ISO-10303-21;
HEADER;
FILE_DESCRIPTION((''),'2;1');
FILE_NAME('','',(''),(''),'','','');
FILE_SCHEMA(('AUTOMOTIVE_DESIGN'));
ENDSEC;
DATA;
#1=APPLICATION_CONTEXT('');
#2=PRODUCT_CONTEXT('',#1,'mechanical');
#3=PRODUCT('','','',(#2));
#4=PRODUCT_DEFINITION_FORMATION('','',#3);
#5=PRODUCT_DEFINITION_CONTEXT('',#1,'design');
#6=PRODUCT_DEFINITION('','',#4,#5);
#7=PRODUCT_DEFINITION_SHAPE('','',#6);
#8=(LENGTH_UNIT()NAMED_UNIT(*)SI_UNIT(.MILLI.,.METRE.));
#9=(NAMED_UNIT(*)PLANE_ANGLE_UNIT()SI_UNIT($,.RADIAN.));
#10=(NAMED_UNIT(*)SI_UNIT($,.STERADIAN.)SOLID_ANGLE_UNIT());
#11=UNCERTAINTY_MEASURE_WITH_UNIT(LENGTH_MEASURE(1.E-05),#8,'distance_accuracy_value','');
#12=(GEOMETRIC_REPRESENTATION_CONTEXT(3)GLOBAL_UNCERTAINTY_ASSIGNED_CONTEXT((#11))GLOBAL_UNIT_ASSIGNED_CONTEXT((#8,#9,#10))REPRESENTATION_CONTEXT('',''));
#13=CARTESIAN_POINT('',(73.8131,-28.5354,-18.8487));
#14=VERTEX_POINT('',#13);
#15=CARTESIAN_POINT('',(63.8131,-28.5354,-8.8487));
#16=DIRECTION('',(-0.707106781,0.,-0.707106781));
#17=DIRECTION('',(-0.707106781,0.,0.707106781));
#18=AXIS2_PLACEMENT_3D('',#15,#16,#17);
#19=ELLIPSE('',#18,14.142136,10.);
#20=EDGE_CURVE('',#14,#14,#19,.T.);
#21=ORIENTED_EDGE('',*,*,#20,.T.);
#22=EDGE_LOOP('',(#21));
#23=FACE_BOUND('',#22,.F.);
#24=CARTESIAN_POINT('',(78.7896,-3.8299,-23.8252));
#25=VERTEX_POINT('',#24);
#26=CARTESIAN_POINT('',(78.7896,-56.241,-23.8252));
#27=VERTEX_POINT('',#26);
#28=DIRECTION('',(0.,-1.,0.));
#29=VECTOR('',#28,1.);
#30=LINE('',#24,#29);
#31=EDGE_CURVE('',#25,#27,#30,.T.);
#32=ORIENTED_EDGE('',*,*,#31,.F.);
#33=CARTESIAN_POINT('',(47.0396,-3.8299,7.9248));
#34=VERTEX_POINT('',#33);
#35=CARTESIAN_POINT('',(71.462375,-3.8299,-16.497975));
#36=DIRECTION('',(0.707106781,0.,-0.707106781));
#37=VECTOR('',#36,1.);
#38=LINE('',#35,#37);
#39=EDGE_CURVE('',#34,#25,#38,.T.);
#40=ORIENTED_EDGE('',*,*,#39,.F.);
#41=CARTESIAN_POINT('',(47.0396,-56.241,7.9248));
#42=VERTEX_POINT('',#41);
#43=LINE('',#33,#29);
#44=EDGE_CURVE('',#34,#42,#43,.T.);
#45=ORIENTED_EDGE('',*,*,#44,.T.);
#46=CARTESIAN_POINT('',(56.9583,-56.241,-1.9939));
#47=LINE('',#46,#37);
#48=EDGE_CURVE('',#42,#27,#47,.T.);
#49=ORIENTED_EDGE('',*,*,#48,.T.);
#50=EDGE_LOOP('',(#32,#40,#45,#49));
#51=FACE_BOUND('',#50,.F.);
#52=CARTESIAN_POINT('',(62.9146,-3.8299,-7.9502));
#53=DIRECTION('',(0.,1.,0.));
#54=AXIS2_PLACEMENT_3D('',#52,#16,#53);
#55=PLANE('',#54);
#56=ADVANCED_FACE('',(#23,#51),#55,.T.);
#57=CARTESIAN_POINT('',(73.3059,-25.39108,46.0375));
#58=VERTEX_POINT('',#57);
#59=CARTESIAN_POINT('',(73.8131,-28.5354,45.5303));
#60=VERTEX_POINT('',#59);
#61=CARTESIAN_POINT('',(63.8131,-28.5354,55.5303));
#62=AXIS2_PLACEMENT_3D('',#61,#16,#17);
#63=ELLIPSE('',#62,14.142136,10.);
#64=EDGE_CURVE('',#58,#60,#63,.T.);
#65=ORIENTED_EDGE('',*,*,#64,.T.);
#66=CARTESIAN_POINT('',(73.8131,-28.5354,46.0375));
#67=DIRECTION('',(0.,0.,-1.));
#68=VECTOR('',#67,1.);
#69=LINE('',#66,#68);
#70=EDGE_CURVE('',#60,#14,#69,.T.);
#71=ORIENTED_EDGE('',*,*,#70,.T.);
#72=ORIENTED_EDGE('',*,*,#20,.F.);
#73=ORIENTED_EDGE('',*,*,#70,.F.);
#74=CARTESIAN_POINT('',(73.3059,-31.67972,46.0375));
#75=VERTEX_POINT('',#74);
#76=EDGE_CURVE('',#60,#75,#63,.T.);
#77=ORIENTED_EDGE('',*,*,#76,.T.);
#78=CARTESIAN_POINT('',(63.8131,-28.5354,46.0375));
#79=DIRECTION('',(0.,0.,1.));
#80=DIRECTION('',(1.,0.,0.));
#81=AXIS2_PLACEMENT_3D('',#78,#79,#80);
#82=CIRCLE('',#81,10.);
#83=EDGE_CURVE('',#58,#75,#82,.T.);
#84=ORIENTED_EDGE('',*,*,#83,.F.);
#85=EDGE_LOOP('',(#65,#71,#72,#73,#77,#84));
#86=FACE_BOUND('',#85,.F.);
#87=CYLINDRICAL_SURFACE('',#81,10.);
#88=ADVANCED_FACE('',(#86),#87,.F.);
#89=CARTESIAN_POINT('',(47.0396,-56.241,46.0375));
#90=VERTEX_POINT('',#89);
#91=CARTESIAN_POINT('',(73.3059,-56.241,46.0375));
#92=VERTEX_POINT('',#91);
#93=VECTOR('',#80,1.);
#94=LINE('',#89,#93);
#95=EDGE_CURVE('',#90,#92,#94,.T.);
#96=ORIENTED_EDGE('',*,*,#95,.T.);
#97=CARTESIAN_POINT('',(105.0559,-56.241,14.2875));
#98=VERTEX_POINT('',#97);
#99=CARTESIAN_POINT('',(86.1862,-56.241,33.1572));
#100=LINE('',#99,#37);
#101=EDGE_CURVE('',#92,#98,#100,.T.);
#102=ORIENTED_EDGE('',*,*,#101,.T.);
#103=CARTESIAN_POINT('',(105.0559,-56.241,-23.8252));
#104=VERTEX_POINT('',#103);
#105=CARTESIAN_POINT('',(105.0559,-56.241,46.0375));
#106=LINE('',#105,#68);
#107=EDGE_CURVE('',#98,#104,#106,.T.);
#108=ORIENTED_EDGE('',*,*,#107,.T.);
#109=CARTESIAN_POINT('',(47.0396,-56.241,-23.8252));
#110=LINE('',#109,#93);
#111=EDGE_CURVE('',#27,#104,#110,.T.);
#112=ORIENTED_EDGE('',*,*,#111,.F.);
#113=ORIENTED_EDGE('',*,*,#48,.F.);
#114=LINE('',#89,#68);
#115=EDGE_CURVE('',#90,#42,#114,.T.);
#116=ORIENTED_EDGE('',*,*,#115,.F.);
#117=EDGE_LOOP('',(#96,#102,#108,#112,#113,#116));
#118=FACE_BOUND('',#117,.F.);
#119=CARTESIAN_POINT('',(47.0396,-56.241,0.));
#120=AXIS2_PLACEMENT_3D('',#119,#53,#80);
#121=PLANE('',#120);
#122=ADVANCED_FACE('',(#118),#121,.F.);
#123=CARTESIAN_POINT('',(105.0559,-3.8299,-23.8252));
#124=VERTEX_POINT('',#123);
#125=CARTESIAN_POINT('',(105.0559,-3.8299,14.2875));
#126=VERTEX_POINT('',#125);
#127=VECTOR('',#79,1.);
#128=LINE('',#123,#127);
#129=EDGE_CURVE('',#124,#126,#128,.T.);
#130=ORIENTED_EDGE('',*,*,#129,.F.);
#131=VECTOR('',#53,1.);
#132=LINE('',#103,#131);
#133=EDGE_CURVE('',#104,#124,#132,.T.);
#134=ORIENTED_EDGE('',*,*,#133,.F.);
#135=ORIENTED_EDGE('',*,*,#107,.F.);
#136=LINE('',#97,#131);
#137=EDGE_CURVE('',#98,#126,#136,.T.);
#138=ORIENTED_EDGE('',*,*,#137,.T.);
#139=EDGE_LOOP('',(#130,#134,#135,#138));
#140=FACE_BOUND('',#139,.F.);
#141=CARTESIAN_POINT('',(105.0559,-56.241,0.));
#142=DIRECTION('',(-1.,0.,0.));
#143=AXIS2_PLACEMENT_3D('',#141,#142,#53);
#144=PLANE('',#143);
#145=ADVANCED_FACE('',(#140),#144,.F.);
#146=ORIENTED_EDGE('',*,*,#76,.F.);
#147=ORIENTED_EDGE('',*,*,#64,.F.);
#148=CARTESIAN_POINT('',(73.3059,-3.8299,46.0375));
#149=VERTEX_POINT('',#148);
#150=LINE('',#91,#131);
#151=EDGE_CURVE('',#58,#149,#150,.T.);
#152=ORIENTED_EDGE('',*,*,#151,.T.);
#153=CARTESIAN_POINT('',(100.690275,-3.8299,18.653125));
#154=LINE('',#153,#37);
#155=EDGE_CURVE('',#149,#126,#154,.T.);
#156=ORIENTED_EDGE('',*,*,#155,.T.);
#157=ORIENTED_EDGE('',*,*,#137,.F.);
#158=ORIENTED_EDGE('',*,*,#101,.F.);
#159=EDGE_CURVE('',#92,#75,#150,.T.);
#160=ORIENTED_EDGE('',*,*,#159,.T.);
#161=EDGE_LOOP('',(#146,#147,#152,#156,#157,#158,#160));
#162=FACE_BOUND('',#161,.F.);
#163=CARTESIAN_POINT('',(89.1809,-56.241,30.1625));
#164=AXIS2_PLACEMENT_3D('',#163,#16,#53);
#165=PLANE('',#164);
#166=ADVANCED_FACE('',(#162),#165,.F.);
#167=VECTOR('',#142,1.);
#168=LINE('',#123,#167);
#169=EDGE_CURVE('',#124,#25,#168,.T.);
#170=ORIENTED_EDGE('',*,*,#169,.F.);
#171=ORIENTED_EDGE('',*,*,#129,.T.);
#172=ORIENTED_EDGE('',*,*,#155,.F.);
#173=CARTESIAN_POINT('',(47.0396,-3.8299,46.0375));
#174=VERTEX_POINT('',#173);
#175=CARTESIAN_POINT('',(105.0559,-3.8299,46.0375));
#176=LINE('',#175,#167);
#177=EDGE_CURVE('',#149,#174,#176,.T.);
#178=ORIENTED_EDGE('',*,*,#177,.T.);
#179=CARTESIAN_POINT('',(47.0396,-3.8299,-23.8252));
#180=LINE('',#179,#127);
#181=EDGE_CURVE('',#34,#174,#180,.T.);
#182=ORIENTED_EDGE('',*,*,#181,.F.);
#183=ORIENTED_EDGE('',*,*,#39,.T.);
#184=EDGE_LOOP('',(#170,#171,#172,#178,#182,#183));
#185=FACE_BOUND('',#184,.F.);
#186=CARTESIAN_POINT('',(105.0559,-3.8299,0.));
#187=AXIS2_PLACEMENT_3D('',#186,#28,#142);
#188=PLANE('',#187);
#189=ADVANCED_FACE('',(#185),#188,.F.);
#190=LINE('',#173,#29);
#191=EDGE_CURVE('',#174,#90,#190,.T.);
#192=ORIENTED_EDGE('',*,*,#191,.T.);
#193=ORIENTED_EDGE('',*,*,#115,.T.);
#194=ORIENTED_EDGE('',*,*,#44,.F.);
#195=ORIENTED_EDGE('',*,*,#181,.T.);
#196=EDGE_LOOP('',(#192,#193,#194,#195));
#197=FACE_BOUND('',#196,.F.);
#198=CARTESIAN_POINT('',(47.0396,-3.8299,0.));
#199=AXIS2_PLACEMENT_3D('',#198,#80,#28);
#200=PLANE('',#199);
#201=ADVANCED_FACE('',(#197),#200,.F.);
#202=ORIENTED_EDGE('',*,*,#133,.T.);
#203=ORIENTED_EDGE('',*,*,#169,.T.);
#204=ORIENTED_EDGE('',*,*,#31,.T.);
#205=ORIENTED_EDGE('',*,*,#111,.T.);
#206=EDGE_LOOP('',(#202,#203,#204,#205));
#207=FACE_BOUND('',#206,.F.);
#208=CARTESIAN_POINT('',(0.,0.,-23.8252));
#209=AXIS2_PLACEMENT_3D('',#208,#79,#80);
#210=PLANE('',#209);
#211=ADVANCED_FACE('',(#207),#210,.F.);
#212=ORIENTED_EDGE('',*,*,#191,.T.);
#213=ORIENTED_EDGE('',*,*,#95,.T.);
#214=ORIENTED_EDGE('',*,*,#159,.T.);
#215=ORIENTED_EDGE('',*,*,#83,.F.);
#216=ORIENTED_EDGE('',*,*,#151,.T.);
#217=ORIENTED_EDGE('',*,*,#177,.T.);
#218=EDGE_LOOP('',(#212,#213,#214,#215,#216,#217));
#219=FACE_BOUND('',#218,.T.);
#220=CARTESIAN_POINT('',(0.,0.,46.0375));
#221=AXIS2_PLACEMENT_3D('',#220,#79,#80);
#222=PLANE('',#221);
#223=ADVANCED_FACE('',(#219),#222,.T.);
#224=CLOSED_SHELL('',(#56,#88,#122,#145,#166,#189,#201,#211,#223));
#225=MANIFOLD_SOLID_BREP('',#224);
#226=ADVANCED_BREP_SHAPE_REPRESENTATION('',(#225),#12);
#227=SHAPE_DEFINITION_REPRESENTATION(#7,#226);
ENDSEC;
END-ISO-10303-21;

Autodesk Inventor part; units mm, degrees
ref_plane "YZ Plane" through (0, 0, 0) normal (1, 0, 0) x (0, 1, 0)
ref_plane "XZ Plane" through (0, 0, 0) normal (0, 1, 0) x (-1, 0, 0)
ref_plane "XY Plane" through (0, 0, 0) normal (0, 0, 1) x (1, 0, 0)
sketch "Sketch1" plane through (0, 0, 0) normal (0, 0, 1) x (1, 0, 0)
  line L0 (105.0559, -3.8299) -> (47.0396, -3.8299)
  line L1 (47.0396, -3.8299) -> (47.0396, -56.241)
  line L2 (47.0396, -56.241) -> (105.0559, -56.241)
  line L3 (105.0559, -56.241) -> (105.0559, -3.8299)
  point P0 (0, 0)
extrude "Extrusion1" add sketch "Sketch1" along normal blind 46.0375 and the other way blind 23.8252
chamfer "Chamfer1" distance 31.75 angle 45 1 edges at (47.0396, -30.0355, -23.8252)
chamfer "Chamfer2" distance 31.75 angle 45 1 edges at (105.0559, -30.0355, 46.0375)
sketch "Sketch2" plane through (0, 0, 46.0375) normal (0, 0, 1) x (1, 0, 0)
  circle A0 centre (63.8131, -28.5354) radius 10
  point P0 (0, 0)
  dimension "d11" = 20
extrude "Extrusion2" cut sketch "Sketch2" against normal through all
properties part number "MotorCarrier"
